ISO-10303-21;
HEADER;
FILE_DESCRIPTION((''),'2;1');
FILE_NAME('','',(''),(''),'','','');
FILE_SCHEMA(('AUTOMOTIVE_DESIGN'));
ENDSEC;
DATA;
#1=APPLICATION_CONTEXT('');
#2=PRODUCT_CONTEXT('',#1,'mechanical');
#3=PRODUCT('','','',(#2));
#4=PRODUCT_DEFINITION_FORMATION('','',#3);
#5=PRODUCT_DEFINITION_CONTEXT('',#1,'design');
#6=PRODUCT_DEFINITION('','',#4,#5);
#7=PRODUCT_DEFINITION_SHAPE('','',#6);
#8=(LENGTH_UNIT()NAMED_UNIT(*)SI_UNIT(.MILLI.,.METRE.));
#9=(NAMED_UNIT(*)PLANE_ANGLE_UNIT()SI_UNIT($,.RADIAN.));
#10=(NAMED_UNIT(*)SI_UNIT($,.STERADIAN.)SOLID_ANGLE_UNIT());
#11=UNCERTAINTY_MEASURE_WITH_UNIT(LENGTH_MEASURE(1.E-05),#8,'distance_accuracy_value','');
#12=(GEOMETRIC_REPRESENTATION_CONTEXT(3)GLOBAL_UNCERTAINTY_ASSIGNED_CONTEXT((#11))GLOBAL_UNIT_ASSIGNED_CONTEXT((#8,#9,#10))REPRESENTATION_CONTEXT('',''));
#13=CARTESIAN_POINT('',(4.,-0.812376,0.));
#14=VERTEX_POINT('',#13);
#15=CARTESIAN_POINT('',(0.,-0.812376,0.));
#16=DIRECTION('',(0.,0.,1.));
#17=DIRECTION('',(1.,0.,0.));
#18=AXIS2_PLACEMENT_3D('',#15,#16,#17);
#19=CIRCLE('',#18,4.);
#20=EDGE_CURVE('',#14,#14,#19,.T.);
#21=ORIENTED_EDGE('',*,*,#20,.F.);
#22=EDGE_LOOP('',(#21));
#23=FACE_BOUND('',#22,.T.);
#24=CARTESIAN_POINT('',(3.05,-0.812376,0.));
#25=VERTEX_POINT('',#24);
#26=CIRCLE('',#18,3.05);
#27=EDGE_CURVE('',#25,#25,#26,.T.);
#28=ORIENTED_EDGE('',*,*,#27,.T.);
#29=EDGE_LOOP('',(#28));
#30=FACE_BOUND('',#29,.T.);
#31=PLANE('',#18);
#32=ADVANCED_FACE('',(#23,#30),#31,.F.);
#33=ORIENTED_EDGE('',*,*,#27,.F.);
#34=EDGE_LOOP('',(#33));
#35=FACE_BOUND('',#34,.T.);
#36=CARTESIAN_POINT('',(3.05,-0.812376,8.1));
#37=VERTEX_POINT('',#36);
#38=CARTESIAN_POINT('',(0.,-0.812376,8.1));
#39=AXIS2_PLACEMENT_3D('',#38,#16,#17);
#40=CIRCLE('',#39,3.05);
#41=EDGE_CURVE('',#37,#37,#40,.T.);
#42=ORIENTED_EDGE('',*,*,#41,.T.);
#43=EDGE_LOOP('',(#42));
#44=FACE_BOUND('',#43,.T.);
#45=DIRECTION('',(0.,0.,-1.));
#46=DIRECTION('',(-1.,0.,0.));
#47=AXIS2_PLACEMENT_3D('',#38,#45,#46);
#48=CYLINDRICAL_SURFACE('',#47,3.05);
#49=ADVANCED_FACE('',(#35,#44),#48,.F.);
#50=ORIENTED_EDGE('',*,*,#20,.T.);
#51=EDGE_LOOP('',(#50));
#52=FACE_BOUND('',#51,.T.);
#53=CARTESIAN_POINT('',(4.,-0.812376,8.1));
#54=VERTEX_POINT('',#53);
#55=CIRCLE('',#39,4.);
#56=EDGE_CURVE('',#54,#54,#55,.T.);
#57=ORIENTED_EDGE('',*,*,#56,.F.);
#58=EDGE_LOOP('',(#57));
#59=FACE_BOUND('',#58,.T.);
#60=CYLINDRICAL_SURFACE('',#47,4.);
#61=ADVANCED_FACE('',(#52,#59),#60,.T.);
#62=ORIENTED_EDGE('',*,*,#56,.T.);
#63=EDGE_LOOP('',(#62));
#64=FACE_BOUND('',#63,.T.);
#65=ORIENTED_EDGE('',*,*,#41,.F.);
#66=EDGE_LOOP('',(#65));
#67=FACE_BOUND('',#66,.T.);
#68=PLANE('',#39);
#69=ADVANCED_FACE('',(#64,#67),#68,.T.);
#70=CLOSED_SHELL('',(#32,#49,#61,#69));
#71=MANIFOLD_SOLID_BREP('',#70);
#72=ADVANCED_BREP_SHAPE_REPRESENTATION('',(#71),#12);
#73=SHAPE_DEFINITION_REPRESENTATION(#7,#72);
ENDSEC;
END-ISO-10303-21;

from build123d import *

# Parameters (mm, degrees)
SKETCH1_R           = 4
SKETCH1_R_2         = 3.05
BOSS_EXTRUDE1_DEPTH = 8.1


with BuildPart() as part:
    # Sketch1 → Boss-Extrude1 (new body)
    with BuildSketch(Plane.XY):
        with Locations((0, -0.812375766)):
            Circle(SKETCH1_R)
        with Locations((0, -0.812375766)):
            Circle(SKETCH1_R_2, mode=Mode.SUBTRACT)
    extrude(amount=BOSS_EXTRUDE1_DEPTH)


solid = part.part
